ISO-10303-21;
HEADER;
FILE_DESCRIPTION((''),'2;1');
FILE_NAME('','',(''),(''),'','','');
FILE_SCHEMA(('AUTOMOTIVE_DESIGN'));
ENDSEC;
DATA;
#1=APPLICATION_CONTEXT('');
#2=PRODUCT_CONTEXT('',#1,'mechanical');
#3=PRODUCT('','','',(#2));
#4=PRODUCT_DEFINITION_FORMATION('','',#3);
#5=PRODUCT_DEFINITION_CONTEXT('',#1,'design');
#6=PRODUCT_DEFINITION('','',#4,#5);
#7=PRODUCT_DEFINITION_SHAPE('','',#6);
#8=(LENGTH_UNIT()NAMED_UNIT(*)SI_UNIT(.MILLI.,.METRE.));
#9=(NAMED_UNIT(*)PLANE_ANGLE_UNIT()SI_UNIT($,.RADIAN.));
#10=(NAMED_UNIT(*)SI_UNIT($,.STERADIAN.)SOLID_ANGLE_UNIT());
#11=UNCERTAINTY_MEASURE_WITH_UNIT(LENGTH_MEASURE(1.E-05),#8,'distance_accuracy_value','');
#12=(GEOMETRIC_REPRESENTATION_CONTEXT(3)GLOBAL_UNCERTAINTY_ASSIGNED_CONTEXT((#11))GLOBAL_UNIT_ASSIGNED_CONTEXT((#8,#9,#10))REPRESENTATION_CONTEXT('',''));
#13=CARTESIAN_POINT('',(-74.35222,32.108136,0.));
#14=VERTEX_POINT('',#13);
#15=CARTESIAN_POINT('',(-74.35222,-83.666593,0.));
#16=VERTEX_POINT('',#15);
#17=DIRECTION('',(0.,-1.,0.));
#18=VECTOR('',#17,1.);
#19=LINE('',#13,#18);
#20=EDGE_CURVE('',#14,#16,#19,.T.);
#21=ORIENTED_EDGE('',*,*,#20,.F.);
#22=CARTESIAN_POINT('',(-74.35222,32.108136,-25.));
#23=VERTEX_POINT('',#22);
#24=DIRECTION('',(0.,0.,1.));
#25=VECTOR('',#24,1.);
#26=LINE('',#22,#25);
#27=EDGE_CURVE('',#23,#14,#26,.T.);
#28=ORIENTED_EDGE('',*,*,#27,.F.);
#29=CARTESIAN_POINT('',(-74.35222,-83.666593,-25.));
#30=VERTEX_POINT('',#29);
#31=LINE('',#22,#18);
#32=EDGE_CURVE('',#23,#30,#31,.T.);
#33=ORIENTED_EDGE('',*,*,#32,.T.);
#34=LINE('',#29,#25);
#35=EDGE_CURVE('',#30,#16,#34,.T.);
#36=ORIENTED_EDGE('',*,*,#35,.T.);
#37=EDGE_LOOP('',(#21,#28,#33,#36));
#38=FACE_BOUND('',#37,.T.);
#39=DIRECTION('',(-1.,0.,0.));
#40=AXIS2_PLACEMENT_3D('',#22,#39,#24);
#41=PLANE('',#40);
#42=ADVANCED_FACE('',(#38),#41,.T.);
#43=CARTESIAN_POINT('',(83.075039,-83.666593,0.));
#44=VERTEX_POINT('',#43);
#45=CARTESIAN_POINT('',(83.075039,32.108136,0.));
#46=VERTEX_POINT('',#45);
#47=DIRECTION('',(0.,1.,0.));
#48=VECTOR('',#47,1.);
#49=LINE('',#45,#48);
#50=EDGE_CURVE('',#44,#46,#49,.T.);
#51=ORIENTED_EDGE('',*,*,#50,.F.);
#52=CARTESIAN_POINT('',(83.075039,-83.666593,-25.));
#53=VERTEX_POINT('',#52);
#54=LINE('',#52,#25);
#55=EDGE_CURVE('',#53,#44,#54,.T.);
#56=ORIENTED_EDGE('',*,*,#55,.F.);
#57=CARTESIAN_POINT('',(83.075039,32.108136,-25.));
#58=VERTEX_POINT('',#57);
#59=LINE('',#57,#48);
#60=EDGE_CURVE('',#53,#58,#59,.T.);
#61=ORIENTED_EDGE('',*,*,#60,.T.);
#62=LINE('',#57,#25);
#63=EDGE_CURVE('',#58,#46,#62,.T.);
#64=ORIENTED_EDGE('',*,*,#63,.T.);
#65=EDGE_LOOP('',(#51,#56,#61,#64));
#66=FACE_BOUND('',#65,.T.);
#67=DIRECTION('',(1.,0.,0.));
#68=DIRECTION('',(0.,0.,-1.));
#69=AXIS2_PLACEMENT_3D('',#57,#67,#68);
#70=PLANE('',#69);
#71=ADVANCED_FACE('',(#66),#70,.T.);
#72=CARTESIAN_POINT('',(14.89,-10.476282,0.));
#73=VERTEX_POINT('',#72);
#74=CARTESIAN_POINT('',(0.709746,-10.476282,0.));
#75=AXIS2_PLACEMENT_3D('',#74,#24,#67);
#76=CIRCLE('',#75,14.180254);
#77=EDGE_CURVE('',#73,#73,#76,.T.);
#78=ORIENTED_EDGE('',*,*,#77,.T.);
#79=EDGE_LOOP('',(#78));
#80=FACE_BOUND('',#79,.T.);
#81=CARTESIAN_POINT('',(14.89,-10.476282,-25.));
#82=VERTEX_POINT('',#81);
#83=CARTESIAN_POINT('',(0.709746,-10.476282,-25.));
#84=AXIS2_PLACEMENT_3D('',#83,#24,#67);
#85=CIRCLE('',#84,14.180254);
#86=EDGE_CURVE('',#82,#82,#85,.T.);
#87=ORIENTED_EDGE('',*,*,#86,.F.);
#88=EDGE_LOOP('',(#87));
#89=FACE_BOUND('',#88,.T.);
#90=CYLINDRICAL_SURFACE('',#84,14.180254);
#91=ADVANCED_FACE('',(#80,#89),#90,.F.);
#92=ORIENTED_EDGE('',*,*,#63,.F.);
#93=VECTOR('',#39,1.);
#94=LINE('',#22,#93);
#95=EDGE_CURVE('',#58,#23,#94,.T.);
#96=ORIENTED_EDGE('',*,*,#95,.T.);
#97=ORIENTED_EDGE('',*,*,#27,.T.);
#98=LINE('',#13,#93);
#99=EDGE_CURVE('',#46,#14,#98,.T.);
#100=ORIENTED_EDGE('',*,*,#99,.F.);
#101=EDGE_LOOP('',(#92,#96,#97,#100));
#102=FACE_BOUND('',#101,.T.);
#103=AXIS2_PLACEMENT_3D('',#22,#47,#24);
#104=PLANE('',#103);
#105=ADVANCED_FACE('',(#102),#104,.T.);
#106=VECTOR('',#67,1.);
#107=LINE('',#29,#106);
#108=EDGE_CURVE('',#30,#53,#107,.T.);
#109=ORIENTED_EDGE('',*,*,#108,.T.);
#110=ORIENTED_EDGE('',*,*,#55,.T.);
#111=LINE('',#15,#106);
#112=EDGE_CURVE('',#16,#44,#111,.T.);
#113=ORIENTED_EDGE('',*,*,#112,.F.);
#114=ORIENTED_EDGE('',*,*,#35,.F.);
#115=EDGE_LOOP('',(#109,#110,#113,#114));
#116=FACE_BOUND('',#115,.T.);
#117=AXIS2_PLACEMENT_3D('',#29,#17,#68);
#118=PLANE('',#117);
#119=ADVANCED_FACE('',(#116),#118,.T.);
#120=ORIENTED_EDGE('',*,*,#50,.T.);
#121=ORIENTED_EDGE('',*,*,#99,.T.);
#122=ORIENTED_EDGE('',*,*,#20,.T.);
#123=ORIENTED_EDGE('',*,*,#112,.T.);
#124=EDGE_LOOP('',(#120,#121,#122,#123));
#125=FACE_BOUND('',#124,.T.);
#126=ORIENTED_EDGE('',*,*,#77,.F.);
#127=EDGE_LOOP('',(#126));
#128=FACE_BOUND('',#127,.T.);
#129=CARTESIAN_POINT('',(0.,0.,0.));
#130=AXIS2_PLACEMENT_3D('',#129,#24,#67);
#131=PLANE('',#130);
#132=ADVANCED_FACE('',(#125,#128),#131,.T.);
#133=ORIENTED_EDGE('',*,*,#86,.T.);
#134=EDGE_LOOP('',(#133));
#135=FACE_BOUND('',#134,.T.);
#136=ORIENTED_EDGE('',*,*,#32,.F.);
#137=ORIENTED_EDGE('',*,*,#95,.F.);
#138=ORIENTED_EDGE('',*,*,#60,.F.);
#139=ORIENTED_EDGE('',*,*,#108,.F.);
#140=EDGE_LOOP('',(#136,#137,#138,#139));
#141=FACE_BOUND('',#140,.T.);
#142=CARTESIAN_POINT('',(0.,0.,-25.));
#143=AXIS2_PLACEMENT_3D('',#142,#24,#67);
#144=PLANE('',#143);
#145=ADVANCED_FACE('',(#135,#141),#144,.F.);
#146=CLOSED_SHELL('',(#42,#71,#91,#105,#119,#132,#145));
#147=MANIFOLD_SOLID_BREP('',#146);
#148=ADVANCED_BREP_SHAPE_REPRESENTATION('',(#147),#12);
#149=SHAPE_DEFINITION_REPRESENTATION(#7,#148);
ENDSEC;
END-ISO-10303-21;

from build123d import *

# Parameters (mm, degrees)
SKETCH1_W           = 157.427258437
SKETCH1_H           = 115.774728642
BOSS_EXTRUDE1_DEPTH = 25
SKETCH2_R           = 14.180253709
CUT_EXTRUDE1_DEPTH  = 121.52618336


with BuildPart() as part:
    # Sketch1 → Boss-Extrude1 (new body)
    with BuildSketch(Plane.XY):
        with Locations((4.361409685, -25.779228693)):
            Rectangle(SKETCH1_W, SKETCH1_H)
    extrude(amount=-BOSS_EXTRUDE1_DEPTH)

    # Sketch2 → Cut-Extrude1 (cut, through all)
    with BuildSketch(Plane.XY):
        with Locations((0.709746473, -10.476281952)):
            Circle(SKETCH2_R)
    extrude(amount=-CUT_EXTRUDE1_DEPTH, mode=Mode.SUBTRACT)


solid = part.part
